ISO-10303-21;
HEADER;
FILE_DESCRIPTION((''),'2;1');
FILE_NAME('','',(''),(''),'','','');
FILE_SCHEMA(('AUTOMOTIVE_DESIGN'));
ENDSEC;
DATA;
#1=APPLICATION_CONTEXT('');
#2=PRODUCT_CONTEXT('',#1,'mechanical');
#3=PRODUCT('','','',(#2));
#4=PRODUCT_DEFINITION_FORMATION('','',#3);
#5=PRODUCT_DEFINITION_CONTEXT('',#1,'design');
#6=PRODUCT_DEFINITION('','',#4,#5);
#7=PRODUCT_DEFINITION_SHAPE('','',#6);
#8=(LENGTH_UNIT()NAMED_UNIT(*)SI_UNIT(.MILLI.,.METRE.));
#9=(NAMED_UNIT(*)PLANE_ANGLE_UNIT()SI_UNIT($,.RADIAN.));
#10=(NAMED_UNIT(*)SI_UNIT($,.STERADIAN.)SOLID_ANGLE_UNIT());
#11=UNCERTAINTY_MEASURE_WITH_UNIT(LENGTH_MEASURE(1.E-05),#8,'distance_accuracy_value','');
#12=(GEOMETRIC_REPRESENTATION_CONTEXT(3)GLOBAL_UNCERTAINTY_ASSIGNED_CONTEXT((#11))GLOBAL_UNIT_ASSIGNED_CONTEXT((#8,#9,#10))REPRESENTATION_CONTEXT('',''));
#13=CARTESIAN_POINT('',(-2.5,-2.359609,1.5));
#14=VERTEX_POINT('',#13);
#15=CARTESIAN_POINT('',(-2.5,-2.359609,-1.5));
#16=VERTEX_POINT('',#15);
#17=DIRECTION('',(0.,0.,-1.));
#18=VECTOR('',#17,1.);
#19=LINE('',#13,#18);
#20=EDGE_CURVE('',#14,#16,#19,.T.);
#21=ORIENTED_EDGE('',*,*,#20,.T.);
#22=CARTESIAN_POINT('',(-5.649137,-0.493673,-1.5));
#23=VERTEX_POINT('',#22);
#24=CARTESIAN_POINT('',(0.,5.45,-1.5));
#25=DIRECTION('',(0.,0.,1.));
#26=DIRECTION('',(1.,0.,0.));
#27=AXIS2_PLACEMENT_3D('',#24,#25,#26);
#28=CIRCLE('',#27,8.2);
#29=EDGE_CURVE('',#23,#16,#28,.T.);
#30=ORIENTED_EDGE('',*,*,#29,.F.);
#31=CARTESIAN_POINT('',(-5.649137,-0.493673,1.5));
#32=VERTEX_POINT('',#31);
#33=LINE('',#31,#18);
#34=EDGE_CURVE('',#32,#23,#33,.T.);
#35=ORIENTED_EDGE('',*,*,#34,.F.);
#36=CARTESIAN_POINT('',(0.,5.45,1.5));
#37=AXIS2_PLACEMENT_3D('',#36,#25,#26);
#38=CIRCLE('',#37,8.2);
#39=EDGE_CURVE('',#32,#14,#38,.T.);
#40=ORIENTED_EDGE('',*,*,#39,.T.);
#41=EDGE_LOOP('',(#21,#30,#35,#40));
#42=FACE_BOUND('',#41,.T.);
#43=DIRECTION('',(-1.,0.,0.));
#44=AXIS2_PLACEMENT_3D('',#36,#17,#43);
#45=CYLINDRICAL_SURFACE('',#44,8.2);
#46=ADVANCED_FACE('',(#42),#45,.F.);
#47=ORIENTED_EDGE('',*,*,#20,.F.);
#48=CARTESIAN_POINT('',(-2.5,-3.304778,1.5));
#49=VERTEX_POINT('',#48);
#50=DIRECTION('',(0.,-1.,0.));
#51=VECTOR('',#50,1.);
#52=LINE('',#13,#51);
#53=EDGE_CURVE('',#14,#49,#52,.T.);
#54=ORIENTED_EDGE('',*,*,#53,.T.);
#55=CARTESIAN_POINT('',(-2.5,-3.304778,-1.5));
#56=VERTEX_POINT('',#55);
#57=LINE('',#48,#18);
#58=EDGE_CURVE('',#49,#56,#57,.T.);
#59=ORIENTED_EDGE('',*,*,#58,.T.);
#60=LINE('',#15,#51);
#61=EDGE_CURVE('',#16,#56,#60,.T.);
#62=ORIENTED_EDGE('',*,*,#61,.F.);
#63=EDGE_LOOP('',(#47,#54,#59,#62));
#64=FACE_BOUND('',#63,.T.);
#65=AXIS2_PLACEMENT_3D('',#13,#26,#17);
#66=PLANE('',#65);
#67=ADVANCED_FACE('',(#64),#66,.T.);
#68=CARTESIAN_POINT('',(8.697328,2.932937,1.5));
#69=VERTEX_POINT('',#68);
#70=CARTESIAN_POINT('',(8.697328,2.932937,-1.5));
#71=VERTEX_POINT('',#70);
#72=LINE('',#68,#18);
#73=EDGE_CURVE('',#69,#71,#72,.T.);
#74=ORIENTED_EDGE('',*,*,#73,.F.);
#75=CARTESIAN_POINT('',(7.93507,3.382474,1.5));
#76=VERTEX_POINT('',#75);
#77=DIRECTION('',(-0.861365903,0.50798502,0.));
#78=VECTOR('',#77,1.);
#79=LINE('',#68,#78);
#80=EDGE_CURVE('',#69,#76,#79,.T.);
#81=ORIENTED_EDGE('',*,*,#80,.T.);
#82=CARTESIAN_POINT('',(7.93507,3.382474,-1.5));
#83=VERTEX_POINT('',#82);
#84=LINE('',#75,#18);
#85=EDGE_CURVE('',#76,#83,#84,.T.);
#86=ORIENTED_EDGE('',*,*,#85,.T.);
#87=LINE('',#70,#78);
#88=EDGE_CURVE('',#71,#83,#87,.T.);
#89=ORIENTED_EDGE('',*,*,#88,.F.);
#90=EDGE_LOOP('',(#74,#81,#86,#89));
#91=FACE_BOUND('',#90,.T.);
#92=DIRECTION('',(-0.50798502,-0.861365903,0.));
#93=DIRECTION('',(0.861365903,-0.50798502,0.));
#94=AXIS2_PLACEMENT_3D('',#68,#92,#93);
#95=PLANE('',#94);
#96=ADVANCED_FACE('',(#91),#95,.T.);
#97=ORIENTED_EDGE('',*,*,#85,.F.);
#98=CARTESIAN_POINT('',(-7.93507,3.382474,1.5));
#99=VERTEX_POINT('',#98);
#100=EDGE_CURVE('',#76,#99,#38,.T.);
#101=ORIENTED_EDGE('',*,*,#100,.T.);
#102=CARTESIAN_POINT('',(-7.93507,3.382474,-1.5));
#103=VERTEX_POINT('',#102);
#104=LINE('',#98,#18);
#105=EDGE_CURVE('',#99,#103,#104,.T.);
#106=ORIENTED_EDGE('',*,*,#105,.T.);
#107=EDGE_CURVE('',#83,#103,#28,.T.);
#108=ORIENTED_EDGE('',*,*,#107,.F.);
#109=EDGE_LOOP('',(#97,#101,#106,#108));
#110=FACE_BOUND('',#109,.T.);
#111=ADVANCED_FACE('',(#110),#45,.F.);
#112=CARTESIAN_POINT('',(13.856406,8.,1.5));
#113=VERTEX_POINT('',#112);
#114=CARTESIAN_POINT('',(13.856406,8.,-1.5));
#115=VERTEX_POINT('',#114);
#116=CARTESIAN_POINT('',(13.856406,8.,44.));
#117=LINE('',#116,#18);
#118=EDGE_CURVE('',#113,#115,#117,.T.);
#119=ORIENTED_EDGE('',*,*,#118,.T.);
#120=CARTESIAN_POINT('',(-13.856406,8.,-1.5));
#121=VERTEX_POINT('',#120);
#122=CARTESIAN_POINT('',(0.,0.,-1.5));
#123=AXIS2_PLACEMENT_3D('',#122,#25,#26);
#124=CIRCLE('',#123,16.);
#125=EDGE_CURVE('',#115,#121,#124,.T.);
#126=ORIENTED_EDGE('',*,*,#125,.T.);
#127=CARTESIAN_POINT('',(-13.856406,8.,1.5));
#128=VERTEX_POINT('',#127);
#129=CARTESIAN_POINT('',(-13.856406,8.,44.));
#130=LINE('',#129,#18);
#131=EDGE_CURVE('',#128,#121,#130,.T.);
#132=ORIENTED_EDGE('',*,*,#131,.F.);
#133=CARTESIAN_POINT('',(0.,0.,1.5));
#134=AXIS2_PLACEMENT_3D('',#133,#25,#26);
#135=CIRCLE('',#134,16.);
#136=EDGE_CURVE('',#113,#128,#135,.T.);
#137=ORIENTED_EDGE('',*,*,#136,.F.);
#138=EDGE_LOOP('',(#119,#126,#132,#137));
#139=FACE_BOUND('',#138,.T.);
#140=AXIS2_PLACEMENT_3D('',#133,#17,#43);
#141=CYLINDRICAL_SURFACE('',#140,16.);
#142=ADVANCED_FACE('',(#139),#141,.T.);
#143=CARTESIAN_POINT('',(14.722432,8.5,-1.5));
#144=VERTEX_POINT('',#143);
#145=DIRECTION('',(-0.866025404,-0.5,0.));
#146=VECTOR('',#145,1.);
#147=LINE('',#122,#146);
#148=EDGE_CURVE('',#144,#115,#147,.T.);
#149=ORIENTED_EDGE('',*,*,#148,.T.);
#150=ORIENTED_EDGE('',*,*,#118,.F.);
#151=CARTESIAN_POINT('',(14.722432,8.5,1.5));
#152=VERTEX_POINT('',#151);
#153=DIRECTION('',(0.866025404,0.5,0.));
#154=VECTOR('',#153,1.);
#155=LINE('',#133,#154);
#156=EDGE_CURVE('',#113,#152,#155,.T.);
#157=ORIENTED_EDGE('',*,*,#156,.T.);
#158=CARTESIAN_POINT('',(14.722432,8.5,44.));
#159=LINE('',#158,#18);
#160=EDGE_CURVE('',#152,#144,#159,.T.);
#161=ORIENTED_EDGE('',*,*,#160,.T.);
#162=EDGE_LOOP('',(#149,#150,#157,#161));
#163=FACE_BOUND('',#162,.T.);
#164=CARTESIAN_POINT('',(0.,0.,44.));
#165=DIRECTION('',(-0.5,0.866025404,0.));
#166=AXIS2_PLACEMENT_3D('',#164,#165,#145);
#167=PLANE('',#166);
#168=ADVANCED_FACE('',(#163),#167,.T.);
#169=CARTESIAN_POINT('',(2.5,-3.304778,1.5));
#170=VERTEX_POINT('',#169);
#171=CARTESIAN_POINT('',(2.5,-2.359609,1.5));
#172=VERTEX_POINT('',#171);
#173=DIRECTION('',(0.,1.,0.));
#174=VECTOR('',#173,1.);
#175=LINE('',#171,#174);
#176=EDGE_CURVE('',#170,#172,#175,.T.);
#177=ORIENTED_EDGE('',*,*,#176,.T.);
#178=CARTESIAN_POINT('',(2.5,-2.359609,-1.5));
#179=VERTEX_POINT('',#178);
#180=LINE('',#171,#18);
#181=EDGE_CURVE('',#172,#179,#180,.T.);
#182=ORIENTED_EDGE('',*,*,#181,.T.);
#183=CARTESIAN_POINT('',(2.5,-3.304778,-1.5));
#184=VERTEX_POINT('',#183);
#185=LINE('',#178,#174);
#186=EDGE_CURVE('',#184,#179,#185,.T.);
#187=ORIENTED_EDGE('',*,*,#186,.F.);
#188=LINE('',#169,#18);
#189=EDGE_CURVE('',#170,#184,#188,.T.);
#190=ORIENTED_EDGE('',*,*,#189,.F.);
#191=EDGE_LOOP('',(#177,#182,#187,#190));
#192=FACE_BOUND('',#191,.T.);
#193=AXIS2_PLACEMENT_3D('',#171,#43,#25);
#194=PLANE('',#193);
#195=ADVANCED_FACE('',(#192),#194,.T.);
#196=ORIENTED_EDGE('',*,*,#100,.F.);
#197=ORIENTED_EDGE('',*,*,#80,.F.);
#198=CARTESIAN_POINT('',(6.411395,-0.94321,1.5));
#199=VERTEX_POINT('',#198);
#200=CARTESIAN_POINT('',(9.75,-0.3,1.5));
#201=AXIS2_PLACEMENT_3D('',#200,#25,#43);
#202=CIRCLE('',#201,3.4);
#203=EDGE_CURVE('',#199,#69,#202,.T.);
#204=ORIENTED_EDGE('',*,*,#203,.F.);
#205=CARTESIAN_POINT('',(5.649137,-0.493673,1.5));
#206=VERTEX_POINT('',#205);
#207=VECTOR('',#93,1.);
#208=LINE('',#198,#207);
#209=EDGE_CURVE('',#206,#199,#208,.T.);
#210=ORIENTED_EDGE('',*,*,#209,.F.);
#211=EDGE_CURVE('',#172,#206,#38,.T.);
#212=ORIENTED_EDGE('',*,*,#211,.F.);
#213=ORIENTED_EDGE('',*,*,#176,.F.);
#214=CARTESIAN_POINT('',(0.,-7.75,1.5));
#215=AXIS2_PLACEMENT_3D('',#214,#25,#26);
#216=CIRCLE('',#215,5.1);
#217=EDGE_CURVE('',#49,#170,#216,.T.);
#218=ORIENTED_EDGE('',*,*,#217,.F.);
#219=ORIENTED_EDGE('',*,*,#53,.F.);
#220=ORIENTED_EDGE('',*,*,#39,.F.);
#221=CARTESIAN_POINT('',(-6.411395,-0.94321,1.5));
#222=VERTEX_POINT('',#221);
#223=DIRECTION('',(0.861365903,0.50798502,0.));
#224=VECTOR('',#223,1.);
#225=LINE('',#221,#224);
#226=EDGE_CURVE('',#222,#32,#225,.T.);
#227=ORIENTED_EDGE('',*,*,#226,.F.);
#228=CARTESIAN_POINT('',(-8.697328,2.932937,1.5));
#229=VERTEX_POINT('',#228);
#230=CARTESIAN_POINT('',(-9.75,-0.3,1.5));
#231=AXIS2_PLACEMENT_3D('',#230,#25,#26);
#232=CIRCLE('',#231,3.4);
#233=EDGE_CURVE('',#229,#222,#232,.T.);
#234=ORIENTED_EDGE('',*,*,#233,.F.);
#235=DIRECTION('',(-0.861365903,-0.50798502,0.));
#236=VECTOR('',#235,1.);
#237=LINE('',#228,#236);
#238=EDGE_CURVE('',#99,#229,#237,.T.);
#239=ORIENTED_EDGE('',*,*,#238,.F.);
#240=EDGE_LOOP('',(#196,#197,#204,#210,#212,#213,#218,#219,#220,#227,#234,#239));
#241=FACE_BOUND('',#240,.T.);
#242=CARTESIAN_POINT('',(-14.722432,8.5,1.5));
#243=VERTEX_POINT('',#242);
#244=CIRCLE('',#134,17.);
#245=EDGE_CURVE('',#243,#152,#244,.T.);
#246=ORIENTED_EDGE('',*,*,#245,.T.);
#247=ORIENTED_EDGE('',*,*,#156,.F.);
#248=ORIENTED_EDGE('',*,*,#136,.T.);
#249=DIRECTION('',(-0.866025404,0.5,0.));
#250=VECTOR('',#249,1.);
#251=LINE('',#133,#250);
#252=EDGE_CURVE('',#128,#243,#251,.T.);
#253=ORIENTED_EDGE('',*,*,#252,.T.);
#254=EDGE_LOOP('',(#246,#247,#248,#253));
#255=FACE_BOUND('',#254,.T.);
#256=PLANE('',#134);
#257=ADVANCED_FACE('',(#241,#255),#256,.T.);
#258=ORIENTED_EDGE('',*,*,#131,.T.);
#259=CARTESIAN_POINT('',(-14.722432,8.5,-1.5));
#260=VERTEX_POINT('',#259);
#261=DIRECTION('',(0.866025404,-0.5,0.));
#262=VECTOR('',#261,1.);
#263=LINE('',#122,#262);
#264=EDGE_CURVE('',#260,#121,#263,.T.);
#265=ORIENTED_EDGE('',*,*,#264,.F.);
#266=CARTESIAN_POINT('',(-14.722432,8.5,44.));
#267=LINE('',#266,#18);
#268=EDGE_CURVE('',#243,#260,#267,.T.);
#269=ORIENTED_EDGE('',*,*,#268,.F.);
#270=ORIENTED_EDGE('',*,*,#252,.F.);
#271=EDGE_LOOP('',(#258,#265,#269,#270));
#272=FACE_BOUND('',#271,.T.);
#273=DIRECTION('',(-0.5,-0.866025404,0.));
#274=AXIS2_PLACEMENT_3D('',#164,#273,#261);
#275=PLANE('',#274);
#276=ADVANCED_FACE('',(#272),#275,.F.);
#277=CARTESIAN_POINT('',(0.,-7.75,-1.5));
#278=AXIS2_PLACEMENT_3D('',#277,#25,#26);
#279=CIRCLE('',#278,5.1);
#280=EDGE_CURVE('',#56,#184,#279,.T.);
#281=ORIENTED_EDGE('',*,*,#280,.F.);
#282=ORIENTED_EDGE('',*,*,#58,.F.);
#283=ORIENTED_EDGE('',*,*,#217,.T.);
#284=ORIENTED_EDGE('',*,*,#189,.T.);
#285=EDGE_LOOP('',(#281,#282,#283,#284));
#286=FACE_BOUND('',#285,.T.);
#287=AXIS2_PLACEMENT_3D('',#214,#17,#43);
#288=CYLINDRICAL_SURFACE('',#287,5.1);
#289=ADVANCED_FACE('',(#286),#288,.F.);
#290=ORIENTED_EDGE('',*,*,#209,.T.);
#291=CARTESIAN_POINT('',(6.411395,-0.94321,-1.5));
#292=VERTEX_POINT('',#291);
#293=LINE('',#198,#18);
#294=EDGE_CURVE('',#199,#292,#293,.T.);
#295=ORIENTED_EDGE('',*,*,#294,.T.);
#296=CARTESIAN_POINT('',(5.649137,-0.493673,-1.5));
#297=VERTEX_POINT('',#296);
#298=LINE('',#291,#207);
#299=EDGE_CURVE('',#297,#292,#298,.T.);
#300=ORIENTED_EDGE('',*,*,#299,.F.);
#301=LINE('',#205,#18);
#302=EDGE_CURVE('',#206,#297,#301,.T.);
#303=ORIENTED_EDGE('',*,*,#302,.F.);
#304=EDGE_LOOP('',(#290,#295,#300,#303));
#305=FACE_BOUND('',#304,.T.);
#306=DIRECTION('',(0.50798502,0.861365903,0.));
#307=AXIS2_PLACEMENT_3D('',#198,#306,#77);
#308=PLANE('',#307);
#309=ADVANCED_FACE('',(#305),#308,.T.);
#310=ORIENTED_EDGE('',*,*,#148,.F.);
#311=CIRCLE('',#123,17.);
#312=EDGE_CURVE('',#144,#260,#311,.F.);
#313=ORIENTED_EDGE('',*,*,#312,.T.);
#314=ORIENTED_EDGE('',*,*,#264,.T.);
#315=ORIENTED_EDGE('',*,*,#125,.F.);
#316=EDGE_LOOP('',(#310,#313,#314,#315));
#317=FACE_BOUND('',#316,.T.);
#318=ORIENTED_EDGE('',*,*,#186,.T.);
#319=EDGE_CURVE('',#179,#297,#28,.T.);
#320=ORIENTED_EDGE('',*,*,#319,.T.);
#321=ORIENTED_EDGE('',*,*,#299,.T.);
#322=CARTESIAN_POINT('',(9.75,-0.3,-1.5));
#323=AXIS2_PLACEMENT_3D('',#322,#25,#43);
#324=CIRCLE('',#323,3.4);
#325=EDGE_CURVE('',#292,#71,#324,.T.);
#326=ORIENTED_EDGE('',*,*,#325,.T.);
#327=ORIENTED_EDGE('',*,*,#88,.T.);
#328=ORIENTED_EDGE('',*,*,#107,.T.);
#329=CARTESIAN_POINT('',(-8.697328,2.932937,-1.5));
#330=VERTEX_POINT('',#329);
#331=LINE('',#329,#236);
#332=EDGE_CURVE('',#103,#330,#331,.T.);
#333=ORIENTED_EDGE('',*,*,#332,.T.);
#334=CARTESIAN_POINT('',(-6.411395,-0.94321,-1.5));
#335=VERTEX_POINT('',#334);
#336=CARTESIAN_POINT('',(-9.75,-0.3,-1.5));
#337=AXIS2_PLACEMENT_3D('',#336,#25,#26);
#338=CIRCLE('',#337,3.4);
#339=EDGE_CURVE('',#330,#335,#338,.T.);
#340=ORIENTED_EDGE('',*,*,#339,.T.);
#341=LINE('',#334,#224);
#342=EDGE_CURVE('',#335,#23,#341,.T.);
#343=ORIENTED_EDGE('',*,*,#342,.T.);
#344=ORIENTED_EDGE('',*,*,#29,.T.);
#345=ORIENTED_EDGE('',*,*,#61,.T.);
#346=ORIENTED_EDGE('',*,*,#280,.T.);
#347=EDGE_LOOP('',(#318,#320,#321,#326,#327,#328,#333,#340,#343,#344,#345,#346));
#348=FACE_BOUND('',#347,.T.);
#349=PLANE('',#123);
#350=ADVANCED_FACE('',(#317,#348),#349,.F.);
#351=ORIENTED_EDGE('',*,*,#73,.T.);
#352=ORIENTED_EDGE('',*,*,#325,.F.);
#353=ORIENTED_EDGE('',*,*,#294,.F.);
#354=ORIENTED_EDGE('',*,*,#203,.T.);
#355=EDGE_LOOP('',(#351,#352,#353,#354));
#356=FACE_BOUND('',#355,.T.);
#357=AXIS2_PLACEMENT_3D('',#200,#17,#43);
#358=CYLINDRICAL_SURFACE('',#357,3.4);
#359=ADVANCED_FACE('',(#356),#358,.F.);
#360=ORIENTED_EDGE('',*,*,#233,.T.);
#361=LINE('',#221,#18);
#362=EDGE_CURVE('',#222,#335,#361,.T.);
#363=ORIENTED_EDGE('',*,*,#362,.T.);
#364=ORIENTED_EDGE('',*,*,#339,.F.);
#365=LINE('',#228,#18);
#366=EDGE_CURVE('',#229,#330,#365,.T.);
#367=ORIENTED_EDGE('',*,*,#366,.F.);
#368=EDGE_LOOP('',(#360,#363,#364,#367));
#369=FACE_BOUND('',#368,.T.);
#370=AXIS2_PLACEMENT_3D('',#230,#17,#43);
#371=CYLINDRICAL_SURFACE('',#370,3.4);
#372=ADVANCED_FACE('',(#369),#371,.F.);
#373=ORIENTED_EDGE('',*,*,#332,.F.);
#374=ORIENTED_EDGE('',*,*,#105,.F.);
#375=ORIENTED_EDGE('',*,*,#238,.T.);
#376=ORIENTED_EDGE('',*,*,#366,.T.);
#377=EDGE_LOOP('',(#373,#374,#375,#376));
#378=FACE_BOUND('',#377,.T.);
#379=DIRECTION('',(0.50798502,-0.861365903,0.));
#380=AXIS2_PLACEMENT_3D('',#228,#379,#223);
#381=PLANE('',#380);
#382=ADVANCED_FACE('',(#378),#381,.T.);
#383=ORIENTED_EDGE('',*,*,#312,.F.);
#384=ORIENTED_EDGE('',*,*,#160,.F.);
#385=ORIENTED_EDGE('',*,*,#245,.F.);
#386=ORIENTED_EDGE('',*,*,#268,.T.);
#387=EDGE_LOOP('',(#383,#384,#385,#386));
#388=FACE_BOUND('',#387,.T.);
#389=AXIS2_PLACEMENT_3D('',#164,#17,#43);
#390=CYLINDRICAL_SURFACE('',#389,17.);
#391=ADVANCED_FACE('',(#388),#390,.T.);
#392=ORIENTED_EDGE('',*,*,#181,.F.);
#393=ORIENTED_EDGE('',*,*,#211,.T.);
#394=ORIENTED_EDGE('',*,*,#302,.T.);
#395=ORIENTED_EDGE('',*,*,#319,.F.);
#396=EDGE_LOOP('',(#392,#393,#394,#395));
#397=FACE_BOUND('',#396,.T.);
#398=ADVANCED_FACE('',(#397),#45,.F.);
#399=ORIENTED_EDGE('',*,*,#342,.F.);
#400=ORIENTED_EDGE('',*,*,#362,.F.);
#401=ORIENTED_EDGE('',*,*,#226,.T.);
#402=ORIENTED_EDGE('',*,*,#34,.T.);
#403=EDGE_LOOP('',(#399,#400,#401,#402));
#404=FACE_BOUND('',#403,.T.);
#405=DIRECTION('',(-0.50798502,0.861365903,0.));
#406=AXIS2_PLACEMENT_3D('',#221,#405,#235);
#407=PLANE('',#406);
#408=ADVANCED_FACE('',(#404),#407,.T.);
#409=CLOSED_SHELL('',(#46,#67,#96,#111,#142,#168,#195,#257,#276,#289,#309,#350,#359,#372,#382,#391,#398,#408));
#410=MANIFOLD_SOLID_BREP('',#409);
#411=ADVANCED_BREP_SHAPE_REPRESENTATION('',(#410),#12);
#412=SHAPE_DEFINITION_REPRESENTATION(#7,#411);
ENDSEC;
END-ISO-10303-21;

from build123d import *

# Parameters (mm, degrees)
EXTRUDE_1_DEPTH                 = 1.5
BOSS_EXTRUDE3_REACH             = 24.677
BOSS_EXTRUDE3_DIRECTION_2_REACH = 24.677


with BuildPart() as part:
    # Эскиз1 → Бобышка-Вытянуть1 (new, symmetric)
    with BuildSketch(Plane.XY):
        with BuildLine():
            ThreePointArc((5, -15.198684154), (15.454813221, -4.141104722), (11.929469096, 10.662446581))
            ThreePointArc((11.929469096, 10.662446581), (-15.454813221, 4.141104722), (5, -15.198684154))
        make_face()
        with BuildLine():
            Line((-2.5, -2.359609465), (-2.5, -3.304777846))
            ThreePointArc((-2.5, -3.304777846), (0, -12.85), (2.5, -3.304777846))
            Line((2.5, -3.304777846), (2.5, -2.359609465))
            ThreePointArc((2.5, -2.359609465), (4.180016715, -1.604605606), (5.649137352, -0.493672869))
            Line((5.649137352, -0.493672869), (6.41139529, -0.943209602))
            ThreePointArc((6.41139529, -0.943209602), (12.678644072, -2.027149068), (8.69732788, 2.932936963))
            Line((8.69732788, 2.932936963), (7.935069942, 3.382473696))
            ThreePointArc((7.935069942, 3.382473696), (0, 13.65), (-7.935069942, 3.382473696))
            Line((-7.935069942, 3.382473696), (-8.69732788, 2.932936963))
            ThreePointArc((-8.69732788, 2.932936963), (-12.678644072, -2.027149068), (-6.41139529, -0.943209602))
            Line((-6.41139529, -0.943209602), (-5.649137352, -0.493672869))
            ThreePointArc((-5.649137352, -0.493672869), (-4.180016715, -1.604605606), (-2.5, -2.359609465))
        make_face(mode=Mode.SUBTRACT)
    extrude(amount=EXTRUDE_1_DEPTH, both=True)

    # Boss-Extrude3: up to this face of the body (flat: up to its plane)
    boss_extrude3_end = Plane(part.part.faces().sort_by_distance((15.017685091, -4.023976592, 1.5))[0])
    # Sketch2 → Boss-Extrude3 (add, up to the picked face)
    with BuildSketch(Plane.XY, mode=Mode.PRIVATE) as boss_extrude3_sk1:
        with BuildLine():
            ThreePointArc((13.856406461, 8), (0, -16), (-13.856406461, 8))
            Line((-13.856406461, 8), (-14.722431864, 8.5))
            ThreePointArc((-14.722431864, 8.5), (-15.822781238, -6.216075442), (-5, -16.248076809))
            ThreePointArc((-5, -16.248076809), (13.294669863, -10.59489279), (14.722431864, 8.5))
            Line((14.722431864, 8.5), (13.856406461, 8))
        make_face()
    boss_extrude3_tool1 = split(extrude(boss_extrude3_sk1.sketch, amount=BOSS_EXTRUDE3_REACH, mode=Mode.PRIVATE), bisect_by=boss_extrude3_end, keep=Keep.BOTH, mode=Mode.PRIVATE)
    add(boss_extrude3_tool1.solids().sort_by(Axis((14.501919, 7.881939, 0), (0, 0, 1)))[0])

    # Boss-Extrude3 direction 2: up to this face of the body (flat: up to its plane)
    boss_extrude3_direction_2_end = Plane(part.part.faces().sort_by_distance((15.017685091, -4.023976592, -1.5))[0])
    # Sketch2 → Boss-Extrude3 direction 2 (add, up to the picked face)
    with BuildSketch(Plane.XY, mode=Mode.PRIVATE) as boss_extrude3_direction_2_sk1:
        with BuildLine():
            ThreePointArc((13.856406461, 8), (0, -16), (-13.856406461, 8))
            Line((-13.856406461, 8), (-14.722431864, 8.5))
            ThreePointArc((-14.722431864, 8.5), (-15.822781238, -6.216075442), (-5, -16.248076809))
            ThreePointArc((-5, -16.248076809), (13.294669863, -10.59489279), (14.722431864, 8.5))
            Line((14.722431864, 8.5), (13.856406461, 8))
        make_face()
    boss_extrude3_direction_2_tool1 = split(extrude(boss_extrude3_direction_2_sk1.sketch, amount=-BOSS_EXTRUDE3_DIRECTION_2_REACH, mode=Mode.PRIVATE), bisect_by=boss_extrude3_direction_2_end, keep=Keep.BOTH, mode=Mode.PRIVATE)
    add(boss_extrude3_direction_2_tool1.solids().sort_by(Axis((14.501919, 7.881939, 0), (0, 0, -1)))[0])


solid = part.part
